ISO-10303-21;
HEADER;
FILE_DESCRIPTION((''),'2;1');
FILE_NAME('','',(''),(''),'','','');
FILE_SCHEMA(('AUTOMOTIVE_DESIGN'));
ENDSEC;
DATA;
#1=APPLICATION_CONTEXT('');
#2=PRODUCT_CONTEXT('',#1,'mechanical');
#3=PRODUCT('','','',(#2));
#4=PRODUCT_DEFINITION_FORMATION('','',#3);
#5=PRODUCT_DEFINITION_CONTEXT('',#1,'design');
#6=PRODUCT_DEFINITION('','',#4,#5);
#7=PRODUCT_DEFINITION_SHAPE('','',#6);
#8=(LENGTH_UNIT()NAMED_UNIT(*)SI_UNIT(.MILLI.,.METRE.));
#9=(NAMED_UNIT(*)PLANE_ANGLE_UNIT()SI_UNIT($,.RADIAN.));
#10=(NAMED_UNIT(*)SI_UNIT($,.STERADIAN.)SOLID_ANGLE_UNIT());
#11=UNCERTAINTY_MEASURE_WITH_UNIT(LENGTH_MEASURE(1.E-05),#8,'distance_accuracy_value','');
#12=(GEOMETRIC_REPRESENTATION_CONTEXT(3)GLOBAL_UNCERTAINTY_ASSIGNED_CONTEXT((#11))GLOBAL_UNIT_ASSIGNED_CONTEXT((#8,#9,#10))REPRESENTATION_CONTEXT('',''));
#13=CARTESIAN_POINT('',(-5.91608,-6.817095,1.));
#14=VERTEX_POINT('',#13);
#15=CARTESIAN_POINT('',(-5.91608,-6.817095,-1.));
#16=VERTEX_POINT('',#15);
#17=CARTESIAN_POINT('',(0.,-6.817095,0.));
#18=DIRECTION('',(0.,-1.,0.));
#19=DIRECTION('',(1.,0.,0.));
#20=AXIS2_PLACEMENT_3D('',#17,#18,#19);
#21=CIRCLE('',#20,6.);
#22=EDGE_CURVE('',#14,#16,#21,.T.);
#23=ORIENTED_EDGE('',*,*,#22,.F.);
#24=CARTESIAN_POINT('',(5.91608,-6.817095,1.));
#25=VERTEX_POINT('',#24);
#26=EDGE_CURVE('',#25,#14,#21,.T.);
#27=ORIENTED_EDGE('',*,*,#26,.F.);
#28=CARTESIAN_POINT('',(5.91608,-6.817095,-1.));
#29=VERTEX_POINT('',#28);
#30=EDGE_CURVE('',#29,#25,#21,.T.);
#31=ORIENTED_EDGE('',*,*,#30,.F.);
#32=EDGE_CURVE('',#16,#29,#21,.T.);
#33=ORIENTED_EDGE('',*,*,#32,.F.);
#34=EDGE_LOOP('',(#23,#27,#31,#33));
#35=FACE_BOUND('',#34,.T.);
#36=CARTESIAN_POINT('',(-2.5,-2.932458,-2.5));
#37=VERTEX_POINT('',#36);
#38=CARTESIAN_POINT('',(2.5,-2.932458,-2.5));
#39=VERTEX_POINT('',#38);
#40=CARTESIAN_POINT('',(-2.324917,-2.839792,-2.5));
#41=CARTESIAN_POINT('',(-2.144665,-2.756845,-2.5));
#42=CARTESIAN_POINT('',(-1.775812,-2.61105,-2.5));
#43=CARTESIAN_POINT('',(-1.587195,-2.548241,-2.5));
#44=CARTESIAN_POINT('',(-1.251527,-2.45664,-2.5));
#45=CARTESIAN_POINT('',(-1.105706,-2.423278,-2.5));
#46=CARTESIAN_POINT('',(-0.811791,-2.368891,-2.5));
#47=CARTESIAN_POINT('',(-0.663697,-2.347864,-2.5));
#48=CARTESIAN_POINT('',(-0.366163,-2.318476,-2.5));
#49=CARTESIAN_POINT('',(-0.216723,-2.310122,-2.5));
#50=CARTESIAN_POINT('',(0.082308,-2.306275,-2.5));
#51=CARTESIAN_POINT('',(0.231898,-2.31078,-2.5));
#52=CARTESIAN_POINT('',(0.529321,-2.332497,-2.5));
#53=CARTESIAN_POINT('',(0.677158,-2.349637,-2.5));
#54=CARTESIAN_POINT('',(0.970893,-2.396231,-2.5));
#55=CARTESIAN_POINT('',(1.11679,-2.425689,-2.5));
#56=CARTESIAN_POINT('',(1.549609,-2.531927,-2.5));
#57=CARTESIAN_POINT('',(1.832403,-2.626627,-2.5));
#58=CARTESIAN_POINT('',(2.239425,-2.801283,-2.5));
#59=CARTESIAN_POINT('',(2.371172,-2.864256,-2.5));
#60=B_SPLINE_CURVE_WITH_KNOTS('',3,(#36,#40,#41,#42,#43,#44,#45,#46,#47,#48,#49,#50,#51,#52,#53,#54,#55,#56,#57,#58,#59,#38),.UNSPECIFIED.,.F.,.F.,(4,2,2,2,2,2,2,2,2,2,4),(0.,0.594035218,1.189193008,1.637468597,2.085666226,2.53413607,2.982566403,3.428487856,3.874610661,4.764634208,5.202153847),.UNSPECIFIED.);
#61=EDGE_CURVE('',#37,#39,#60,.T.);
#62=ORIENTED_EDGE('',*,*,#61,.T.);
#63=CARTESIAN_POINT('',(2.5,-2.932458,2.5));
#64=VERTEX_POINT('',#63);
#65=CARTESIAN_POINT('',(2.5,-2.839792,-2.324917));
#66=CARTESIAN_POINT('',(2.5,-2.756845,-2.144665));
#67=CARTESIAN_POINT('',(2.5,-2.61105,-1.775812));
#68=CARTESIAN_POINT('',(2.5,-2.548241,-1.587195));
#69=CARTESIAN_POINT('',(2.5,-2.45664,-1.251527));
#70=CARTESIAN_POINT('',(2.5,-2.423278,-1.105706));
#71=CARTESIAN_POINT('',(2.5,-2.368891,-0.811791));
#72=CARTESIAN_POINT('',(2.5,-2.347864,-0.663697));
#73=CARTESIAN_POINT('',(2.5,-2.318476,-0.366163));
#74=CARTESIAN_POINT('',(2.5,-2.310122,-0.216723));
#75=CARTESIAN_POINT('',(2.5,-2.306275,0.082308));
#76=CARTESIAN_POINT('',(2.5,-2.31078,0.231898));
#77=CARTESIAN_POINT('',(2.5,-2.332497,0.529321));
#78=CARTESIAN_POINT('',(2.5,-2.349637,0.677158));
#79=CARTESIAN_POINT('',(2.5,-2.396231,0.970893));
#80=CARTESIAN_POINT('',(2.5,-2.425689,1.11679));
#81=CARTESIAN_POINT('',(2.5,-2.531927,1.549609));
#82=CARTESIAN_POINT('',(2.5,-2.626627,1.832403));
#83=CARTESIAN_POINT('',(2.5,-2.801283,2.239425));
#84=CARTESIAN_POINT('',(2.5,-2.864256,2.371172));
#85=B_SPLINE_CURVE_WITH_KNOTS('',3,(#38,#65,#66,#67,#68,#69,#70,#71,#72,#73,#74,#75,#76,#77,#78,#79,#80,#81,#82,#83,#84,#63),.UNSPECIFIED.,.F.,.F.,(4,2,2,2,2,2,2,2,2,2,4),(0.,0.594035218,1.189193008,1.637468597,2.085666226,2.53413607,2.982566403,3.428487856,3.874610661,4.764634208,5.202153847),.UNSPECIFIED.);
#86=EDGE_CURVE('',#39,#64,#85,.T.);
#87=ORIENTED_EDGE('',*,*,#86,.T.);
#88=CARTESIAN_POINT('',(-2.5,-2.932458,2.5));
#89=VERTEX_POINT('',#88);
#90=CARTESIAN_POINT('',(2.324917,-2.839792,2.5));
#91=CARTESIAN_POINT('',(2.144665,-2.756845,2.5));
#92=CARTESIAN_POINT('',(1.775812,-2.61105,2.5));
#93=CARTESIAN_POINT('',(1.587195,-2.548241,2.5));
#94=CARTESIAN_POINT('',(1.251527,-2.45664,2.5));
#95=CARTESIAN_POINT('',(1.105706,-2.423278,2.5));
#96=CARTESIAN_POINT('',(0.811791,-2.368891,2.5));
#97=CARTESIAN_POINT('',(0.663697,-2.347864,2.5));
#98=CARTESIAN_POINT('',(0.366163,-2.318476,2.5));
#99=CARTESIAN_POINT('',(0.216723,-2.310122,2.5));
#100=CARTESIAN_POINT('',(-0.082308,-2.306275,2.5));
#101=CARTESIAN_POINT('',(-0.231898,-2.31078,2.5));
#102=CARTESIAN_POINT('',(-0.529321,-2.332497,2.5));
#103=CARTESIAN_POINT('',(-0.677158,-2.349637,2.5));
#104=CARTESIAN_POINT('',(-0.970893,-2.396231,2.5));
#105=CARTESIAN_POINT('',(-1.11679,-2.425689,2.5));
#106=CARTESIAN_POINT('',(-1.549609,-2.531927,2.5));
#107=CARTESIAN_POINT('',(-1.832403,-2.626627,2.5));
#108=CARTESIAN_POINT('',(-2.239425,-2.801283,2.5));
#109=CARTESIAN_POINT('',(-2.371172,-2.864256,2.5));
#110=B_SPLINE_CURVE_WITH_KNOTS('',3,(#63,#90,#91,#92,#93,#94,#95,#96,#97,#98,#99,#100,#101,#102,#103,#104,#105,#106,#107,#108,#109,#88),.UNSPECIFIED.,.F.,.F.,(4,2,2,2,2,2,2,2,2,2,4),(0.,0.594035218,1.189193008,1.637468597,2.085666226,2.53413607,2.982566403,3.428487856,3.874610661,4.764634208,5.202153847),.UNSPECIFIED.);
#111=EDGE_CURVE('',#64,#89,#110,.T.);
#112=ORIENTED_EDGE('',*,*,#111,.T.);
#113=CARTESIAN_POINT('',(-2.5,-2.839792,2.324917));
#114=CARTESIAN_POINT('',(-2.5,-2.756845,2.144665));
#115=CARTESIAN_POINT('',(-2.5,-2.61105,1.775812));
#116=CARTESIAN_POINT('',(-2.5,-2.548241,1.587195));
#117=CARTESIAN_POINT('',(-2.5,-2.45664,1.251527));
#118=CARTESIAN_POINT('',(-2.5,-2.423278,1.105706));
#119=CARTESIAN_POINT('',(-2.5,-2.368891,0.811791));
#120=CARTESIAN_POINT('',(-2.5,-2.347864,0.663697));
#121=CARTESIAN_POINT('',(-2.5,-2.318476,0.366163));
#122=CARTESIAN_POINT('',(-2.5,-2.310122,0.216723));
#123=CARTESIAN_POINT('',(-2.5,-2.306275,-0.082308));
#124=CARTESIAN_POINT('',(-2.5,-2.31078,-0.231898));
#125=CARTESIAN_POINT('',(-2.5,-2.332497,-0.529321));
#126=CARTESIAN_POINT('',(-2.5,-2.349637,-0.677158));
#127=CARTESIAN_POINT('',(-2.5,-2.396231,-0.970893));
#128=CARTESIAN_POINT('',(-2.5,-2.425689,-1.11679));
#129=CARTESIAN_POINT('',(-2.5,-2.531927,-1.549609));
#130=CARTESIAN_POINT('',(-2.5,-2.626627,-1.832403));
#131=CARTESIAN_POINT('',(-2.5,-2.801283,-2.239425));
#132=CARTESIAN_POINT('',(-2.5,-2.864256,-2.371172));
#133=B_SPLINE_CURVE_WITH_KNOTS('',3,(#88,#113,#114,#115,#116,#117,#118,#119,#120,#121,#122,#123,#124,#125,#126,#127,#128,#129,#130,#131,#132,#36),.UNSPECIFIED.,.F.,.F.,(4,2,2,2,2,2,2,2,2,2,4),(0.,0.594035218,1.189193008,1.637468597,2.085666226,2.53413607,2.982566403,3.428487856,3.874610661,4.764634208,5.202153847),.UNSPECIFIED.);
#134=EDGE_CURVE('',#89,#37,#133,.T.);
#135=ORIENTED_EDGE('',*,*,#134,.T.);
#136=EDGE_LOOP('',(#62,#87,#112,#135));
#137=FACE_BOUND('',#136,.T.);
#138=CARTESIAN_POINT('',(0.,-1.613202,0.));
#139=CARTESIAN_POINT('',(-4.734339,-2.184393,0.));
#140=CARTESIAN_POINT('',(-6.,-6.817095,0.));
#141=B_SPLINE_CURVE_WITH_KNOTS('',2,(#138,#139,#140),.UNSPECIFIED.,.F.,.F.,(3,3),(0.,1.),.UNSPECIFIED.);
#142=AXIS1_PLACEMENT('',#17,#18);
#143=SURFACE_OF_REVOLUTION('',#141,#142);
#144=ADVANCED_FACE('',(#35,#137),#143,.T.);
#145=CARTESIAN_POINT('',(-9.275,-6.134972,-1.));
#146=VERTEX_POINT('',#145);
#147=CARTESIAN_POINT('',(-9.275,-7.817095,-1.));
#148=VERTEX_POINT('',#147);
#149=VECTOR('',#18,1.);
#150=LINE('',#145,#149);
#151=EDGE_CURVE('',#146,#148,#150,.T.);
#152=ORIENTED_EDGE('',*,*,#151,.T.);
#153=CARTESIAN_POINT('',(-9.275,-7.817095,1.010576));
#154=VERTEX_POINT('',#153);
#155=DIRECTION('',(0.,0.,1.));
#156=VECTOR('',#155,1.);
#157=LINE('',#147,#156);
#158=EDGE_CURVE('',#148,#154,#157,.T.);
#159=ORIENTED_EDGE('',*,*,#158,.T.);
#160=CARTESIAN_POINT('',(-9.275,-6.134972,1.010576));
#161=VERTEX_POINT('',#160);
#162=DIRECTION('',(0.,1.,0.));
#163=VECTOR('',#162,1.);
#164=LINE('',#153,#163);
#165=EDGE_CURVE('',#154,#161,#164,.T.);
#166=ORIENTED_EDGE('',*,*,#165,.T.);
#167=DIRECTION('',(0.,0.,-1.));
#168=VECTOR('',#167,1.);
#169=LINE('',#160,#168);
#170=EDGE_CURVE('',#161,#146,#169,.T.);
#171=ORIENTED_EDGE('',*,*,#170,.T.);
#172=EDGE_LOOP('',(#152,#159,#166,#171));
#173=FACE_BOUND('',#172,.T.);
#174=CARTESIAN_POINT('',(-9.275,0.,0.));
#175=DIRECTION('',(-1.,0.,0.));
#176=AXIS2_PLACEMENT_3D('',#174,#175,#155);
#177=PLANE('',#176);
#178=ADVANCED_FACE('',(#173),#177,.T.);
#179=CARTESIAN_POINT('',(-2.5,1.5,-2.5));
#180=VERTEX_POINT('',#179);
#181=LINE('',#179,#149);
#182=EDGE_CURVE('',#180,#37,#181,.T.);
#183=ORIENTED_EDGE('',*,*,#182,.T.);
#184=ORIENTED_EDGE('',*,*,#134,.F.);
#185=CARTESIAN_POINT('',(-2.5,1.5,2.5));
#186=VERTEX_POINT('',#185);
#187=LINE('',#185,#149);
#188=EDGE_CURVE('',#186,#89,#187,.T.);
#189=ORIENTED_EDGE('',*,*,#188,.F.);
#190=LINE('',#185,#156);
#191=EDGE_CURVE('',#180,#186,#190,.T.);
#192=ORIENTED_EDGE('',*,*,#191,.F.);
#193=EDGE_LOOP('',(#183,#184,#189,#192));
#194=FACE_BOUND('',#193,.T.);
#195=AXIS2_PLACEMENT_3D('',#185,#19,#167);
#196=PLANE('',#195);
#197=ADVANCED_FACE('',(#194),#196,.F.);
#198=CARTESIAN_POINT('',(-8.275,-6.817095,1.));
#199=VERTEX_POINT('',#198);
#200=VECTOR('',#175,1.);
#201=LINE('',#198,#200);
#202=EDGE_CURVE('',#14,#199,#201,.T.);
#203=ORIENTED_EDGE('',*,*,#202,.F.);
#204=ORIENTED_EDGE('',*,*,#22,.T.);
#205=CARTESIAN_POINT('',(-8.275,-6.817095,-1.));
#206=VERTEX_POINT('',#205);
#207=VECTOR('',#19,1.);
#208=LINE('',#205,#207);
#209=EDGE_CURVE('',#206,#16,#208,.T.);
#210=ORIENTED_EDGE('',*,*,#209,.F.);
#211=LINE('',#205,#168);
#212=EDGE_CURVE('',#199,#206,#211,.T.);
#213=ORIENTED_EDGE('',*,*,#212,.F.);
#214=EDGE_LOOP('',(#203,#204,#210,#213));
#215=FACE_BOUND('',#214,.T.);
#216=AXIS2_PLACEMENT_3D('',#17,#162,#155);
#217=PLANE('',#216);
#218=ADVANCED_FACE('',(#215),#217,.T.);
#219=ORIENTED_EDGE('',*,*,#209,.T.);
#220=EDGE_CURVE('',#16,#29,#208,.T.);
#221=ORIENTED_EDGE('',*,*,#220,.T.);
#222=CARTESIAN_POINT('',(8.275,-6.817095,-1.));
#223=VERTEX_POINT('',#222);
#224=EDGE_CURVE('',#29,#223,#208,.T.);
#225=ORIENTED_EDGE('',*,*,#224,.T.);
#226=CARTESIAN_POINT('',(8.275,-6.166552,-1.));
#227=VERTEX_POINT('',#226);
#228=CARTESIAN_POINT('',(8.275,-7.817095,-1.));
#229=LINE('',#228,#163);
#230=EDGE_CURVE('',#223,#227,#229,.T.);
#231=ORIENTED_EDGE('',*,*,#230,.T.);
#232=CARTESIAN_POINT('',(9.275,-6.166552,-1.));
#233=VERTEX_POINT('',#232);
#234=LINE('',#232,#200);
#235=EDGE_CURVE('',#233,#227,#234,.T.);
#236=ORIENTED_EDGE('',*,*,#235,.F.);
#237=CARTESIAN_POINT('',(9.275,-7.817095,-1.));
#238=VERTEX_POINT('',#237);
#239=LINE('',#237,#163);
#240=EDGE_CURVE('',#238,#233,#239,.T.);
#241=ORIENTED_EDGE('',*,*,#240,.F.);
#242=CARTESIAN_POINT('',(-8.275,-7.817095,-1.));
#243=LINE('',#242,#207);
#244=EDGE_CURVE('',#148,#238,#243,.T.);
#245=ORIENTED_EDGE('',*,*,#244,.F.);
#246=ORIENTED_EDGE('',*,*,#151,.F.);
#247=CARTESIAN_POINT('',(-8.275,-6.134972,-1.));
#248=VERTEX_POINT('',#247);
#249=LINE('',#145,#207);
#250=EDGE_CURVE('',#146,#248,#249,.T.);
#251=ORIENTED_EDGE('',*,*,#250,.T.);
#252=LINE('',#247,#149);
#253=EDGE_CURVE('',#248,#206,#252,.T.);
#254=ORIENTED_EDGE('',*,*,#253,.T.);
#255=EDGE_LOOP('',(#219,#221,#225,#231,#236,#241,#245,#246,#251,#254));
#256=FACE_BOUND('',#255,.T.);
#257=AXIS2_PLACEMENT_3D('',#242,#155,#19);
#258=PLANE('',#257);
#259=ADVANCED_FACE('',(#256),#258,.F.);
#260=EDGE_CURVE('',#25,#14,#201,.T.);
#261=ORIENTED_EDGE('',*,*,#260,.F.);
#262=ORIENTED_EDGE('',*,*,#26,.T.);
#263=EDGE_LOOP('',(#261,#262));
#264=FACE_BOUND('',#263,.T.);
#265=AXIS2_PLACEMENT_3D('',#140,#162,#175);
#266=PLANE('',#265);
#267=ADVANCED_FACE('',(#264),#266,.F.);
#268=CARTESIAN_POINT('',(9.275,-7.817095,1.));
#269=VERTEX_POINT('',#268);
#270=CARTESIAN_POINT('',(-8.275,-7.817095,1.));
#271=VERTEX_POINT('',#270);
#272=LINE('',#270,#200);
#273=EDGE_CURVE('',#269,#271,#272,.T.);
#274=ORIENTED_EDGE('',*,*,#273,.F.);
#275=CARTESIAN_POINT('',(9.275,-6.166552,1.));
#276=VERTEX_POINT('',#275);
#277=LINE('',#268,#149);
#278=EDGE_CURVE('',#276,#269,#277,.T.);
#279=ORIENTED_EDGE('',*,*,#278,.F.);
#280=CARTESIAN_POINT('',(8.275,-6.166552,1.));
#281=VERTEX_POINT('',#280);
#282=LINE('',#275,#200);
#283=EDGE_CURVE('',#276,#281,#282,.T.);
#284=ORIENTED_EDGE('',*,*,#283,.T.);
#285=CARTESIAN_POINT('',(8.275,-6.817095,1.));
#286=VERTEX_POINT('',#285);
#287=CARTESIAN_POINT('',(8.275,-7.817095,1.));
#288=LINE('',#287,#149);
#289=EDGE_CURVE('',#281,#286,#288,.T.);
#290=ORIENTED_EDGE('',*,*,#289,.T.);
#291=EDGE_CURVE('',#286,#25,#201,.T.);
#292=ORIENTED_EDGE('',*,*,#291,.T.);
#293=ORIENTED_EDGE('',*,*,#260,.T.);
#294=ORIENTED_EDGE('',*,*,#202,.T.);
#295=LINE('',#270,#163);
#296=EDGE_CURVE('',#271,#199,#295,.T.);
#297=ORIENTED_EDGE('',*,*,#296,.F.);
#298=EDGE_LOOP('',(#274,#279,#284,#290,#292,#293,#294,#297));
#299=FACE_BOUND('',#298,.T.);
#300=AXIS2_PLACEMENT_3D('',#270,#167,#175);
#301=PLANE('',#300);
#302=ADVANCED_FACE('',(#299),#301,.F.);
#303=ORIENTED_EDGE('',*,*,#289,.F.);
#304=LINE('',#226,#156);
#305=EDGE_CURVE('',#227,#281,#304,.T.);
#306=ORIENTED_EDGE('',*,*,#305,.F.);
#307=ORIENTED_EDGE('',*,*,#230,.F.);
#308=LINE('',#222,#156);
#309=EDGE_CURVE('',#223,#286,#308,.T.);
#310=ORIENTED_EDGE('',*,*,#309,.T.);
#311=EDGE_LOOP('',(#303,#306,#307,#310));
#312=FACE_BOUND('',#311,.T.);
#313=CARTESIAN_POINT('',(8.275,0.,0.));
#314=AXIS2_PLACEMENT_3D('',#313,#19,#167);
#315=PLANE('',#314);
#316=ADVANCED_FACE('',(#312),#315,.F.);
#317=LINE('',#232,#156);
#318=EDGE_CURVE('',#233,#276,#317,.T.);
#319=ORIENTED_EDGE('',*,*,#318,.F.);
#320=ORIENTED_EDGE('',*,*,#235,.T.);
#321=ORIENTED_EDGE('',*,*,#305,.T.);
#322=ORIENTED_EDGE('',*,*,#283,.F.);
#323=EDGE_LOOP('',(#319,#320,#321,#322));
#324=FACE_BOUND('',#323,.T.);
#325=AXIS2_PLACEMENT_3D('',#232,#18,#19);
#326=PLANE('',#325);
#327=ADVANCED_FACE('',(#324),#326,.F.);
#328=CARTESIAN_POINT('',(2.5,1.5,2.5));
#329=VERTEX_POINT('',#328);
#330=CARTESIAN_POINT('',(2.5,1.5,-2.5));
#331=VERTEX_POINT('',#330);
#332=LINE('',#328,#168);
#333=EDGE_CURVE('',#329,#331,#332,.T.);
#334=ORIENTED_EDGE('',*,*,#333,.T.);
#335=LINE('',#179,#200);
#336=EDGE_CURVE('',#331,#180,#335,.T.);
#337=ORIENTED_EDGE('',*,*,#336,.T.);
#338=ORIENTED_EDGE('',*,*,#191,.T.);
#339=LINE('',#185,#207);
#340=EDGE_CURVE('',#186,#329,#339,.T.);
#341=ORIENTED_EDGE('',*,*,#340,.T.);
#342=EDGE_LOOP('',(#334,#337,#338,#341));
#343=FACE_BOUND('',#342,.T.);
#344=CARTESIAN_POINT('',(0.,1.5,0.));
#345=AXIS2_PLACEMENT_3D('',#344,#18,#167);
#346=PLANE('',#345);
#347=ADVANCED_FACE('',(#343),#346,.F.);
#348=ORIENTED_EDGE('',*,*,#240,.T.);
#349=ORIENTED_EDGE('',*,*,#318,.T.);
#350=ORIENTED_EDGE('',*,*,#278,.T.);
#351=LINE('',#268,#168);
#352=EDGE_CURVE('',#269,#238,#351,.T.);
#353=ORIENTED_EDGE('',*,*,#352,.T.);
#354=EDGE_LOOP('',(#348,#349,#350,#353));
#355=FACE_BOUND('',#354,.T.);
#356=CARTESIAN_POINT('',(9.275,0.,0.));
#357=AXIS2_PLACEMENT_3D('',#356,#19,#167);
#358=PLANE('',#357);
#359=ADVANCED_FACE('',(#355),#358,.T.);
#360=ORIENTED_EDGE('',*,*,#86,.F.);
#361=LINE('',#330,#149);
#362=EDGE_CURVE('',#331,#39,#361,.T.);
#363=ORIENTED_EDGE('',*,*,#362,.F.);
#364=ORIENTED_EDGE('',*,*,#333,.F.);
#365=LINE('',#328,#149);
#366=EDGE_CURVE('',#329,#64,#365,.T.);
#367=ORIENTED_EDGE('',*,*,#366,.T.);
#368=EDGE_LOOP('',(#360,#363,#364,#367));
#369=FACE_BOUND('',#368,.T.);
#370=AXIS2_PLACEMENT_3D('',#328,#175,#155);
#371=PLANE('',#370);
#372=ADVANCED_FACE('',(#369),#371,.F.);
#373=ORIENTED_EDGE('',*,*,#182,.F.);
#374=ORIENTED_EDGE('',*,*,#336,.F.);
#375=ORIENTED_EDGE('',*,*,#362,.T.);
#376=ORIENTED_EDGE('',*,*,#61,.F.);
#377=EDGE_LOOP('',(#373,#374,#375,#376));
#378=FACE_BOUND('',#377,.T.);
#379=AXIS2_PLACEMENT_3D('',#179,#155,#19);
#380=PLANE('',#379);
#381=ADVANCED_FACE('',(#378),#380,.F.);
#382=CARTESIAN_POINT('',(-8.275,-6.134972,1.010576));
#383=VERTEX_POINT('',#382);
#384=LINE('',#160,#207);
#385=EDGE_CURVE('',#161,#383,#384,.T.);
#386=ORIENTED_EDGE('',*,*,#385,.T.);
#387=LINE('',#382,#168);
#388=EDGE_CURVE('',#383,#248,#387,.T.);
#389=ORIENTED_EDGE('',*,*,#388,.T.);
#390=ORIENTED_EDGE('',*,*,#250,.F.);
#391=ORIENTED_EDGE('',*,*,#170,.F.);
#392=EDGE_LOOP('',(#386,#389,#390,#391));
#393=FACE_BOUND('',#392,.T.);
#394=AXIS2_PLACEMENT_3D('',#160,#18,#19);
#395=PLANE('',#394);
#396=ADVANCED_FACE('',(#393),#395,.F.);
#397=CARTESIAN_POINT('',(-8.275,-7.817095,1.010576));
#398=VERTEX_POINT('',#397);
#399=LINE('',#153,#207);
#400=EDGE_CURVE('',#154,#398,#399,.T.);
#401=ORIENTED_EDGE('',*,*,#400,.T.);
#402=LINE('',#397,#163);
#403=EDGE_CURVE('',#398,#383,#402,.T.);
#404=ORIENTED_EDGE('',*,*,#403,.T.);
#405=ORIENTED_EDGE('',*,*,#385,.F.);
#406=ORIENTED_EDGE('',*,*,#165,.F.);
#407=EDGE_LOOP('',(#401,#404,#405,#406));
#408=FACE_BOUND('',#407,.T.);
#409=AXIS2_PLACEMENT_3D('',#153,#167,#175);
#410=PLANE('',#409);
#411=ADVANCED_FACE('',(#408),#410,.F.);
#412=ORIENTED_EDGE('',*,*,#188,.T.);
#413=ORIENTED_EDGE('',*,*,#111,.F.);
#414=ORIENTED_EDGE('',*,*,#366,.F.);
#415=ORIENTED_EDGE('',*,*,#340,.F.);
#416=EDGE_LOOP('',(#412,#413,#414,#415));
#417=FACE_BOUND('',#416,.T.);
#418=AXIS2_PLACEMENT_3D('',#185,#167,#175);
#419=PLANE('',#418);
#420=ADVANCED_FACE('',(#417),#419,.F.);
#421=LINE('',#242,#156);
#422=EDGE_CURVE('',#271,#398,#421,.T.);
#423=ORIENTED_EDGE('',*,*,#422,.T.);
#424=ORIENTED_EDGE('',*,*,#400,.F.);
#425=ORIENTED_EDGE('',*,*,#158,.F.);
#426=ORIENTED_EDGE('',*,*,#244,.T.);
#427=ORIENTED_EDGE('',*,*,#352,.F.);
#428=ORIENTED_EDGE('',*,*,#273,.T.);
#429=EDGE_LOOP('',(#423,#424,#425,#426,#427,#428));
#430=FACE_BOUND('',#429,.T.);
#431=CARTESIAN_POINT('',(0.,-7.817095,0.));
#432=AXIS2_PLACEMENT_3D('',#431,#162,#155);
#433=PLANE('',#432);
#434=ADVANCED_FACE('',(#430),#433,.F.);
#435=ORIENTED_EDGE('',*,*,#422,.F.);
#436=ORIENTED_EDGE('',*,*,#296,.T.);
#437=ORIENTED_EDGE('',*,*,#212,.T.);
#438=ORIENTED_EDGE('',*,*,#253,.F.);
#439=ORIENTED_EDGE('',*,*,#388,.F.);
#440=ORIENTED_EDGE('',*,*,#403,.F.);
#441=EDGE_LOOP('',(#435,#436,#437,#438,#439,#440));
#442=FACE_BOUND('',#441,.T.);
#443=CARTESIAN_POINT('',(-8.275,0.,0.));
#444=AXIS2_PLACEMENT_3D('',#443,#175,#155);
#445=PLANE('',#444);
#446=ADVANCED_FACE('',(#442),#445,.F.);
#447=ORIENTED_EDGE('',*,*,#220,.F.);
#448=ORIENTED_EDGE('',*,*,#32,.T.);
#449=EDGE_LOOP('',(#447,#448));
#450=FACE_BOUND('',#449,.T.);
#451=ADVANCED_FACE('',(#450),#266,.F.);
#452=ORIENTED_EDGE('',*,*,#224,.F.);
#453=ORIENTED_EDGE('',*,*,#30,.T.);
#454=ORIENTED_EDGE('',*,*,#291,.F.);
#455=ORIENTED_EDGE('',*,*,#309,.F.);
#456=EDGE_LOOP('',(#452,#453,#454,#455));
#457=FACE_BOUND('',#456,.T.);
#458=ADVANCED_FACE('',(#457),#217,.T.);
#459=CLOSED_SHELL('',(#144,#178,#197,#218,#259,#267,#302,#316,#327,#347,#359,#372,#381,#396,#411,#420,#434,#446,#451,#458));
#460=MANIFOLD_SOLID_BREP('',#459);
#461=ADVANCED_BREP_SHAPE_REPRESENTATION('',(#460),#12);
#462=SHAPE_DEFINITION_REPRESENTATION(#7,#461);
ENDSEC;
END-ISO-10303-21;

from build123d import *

# Parameters (mm, degrees)
EXTRUDE_1_DEPTH      = 1.5
EXTRUDE_1_DEPTH_BACK = 3
SKETCH_1_W           = 5
SKETCH_1_H           = 5
SKETCH_3_W           = 16.55
SKETCH_3_H           = 2
EXTRUDE_2_DEPTH      = 1
SKETCH_4_W           = 2.010575614
SKETCH_4_H           = 1.682122854
EXTRUDE_3_DEPTH      = 1
SKETCH_5_W           = 2
SKETCH_5_H           = 1.650542366
EXTRUDE_4_DEPTH      = 1


with BuildPart() as part:
    # 草图1 → 凸台-拉伸1 (new, two sides: drawn at the far end of the back side and taken through both)
    with BuildSketch(Plane(origin=(0, 0, 0), x_dir=(1, 0, 0), z_dir=(0, 1, 0)).offset(-EXTRUDE_1_DEPTH_BACK)):
        Rectangle(SKETCH_1_W, SKETCH_1_H)
    extrude(amount=EXTRUDE_1_DEPTH + EXTRUDE_1_DEPTH_BACK)

    # 草图2 → 旋转1 (revolve)
    with BuildSketch(Plane.XY):
        with BuildLine():
            Line((-6, -6.817094506), (0, -6.817094506))
            Line((0, -6.817094506), (0, -1.613202234))
            add(Edge.make_bspline(
                [(-6, -6.817094506), (-4.734338842, -2.184392528), (0, -1.613202234)],
                knots=[0, 0, 0, 1, 1, 1], degree=2))
        make_face()
    revolve(axis=Axis((0, -6.817094506, 0), (0, 1, 0)))

    # 草图3 → 凸台-拉伸2 (add)
    with BuildSketch(Plane.XZ.offset(6.817094506)):
        Rectangle(SKETCH_3_W, SKETCH_3_H)
    extrude(amount=EXTRUDE_2_DEPTH)

    # 草图4 → 凸台-拉伸3 (add)
    with BuildSketch(Plane.ZY.offset(8.275)):
        with Locations((0.005287807, -6.976033079)):
            Rectangle(SKETCH_4_W, SKETCH_4_H)
    extrude(amount=EXTRUDE_3_DEPTH)

    # 草图5 → 凸台-拉伸4 (add)
    with BuildSketch(Plane(origin=(8.275, 0, 0), x_dir=(0, 0, -1), z_dir=(1, 0, 0))):
        with Locations((0, -6.991823323)):
            Rectangle(SKETCH_5_W, SKETCH_5_H)
    extrude(amount=EXTRUDE_4_DEPTH)


solid = part.part
